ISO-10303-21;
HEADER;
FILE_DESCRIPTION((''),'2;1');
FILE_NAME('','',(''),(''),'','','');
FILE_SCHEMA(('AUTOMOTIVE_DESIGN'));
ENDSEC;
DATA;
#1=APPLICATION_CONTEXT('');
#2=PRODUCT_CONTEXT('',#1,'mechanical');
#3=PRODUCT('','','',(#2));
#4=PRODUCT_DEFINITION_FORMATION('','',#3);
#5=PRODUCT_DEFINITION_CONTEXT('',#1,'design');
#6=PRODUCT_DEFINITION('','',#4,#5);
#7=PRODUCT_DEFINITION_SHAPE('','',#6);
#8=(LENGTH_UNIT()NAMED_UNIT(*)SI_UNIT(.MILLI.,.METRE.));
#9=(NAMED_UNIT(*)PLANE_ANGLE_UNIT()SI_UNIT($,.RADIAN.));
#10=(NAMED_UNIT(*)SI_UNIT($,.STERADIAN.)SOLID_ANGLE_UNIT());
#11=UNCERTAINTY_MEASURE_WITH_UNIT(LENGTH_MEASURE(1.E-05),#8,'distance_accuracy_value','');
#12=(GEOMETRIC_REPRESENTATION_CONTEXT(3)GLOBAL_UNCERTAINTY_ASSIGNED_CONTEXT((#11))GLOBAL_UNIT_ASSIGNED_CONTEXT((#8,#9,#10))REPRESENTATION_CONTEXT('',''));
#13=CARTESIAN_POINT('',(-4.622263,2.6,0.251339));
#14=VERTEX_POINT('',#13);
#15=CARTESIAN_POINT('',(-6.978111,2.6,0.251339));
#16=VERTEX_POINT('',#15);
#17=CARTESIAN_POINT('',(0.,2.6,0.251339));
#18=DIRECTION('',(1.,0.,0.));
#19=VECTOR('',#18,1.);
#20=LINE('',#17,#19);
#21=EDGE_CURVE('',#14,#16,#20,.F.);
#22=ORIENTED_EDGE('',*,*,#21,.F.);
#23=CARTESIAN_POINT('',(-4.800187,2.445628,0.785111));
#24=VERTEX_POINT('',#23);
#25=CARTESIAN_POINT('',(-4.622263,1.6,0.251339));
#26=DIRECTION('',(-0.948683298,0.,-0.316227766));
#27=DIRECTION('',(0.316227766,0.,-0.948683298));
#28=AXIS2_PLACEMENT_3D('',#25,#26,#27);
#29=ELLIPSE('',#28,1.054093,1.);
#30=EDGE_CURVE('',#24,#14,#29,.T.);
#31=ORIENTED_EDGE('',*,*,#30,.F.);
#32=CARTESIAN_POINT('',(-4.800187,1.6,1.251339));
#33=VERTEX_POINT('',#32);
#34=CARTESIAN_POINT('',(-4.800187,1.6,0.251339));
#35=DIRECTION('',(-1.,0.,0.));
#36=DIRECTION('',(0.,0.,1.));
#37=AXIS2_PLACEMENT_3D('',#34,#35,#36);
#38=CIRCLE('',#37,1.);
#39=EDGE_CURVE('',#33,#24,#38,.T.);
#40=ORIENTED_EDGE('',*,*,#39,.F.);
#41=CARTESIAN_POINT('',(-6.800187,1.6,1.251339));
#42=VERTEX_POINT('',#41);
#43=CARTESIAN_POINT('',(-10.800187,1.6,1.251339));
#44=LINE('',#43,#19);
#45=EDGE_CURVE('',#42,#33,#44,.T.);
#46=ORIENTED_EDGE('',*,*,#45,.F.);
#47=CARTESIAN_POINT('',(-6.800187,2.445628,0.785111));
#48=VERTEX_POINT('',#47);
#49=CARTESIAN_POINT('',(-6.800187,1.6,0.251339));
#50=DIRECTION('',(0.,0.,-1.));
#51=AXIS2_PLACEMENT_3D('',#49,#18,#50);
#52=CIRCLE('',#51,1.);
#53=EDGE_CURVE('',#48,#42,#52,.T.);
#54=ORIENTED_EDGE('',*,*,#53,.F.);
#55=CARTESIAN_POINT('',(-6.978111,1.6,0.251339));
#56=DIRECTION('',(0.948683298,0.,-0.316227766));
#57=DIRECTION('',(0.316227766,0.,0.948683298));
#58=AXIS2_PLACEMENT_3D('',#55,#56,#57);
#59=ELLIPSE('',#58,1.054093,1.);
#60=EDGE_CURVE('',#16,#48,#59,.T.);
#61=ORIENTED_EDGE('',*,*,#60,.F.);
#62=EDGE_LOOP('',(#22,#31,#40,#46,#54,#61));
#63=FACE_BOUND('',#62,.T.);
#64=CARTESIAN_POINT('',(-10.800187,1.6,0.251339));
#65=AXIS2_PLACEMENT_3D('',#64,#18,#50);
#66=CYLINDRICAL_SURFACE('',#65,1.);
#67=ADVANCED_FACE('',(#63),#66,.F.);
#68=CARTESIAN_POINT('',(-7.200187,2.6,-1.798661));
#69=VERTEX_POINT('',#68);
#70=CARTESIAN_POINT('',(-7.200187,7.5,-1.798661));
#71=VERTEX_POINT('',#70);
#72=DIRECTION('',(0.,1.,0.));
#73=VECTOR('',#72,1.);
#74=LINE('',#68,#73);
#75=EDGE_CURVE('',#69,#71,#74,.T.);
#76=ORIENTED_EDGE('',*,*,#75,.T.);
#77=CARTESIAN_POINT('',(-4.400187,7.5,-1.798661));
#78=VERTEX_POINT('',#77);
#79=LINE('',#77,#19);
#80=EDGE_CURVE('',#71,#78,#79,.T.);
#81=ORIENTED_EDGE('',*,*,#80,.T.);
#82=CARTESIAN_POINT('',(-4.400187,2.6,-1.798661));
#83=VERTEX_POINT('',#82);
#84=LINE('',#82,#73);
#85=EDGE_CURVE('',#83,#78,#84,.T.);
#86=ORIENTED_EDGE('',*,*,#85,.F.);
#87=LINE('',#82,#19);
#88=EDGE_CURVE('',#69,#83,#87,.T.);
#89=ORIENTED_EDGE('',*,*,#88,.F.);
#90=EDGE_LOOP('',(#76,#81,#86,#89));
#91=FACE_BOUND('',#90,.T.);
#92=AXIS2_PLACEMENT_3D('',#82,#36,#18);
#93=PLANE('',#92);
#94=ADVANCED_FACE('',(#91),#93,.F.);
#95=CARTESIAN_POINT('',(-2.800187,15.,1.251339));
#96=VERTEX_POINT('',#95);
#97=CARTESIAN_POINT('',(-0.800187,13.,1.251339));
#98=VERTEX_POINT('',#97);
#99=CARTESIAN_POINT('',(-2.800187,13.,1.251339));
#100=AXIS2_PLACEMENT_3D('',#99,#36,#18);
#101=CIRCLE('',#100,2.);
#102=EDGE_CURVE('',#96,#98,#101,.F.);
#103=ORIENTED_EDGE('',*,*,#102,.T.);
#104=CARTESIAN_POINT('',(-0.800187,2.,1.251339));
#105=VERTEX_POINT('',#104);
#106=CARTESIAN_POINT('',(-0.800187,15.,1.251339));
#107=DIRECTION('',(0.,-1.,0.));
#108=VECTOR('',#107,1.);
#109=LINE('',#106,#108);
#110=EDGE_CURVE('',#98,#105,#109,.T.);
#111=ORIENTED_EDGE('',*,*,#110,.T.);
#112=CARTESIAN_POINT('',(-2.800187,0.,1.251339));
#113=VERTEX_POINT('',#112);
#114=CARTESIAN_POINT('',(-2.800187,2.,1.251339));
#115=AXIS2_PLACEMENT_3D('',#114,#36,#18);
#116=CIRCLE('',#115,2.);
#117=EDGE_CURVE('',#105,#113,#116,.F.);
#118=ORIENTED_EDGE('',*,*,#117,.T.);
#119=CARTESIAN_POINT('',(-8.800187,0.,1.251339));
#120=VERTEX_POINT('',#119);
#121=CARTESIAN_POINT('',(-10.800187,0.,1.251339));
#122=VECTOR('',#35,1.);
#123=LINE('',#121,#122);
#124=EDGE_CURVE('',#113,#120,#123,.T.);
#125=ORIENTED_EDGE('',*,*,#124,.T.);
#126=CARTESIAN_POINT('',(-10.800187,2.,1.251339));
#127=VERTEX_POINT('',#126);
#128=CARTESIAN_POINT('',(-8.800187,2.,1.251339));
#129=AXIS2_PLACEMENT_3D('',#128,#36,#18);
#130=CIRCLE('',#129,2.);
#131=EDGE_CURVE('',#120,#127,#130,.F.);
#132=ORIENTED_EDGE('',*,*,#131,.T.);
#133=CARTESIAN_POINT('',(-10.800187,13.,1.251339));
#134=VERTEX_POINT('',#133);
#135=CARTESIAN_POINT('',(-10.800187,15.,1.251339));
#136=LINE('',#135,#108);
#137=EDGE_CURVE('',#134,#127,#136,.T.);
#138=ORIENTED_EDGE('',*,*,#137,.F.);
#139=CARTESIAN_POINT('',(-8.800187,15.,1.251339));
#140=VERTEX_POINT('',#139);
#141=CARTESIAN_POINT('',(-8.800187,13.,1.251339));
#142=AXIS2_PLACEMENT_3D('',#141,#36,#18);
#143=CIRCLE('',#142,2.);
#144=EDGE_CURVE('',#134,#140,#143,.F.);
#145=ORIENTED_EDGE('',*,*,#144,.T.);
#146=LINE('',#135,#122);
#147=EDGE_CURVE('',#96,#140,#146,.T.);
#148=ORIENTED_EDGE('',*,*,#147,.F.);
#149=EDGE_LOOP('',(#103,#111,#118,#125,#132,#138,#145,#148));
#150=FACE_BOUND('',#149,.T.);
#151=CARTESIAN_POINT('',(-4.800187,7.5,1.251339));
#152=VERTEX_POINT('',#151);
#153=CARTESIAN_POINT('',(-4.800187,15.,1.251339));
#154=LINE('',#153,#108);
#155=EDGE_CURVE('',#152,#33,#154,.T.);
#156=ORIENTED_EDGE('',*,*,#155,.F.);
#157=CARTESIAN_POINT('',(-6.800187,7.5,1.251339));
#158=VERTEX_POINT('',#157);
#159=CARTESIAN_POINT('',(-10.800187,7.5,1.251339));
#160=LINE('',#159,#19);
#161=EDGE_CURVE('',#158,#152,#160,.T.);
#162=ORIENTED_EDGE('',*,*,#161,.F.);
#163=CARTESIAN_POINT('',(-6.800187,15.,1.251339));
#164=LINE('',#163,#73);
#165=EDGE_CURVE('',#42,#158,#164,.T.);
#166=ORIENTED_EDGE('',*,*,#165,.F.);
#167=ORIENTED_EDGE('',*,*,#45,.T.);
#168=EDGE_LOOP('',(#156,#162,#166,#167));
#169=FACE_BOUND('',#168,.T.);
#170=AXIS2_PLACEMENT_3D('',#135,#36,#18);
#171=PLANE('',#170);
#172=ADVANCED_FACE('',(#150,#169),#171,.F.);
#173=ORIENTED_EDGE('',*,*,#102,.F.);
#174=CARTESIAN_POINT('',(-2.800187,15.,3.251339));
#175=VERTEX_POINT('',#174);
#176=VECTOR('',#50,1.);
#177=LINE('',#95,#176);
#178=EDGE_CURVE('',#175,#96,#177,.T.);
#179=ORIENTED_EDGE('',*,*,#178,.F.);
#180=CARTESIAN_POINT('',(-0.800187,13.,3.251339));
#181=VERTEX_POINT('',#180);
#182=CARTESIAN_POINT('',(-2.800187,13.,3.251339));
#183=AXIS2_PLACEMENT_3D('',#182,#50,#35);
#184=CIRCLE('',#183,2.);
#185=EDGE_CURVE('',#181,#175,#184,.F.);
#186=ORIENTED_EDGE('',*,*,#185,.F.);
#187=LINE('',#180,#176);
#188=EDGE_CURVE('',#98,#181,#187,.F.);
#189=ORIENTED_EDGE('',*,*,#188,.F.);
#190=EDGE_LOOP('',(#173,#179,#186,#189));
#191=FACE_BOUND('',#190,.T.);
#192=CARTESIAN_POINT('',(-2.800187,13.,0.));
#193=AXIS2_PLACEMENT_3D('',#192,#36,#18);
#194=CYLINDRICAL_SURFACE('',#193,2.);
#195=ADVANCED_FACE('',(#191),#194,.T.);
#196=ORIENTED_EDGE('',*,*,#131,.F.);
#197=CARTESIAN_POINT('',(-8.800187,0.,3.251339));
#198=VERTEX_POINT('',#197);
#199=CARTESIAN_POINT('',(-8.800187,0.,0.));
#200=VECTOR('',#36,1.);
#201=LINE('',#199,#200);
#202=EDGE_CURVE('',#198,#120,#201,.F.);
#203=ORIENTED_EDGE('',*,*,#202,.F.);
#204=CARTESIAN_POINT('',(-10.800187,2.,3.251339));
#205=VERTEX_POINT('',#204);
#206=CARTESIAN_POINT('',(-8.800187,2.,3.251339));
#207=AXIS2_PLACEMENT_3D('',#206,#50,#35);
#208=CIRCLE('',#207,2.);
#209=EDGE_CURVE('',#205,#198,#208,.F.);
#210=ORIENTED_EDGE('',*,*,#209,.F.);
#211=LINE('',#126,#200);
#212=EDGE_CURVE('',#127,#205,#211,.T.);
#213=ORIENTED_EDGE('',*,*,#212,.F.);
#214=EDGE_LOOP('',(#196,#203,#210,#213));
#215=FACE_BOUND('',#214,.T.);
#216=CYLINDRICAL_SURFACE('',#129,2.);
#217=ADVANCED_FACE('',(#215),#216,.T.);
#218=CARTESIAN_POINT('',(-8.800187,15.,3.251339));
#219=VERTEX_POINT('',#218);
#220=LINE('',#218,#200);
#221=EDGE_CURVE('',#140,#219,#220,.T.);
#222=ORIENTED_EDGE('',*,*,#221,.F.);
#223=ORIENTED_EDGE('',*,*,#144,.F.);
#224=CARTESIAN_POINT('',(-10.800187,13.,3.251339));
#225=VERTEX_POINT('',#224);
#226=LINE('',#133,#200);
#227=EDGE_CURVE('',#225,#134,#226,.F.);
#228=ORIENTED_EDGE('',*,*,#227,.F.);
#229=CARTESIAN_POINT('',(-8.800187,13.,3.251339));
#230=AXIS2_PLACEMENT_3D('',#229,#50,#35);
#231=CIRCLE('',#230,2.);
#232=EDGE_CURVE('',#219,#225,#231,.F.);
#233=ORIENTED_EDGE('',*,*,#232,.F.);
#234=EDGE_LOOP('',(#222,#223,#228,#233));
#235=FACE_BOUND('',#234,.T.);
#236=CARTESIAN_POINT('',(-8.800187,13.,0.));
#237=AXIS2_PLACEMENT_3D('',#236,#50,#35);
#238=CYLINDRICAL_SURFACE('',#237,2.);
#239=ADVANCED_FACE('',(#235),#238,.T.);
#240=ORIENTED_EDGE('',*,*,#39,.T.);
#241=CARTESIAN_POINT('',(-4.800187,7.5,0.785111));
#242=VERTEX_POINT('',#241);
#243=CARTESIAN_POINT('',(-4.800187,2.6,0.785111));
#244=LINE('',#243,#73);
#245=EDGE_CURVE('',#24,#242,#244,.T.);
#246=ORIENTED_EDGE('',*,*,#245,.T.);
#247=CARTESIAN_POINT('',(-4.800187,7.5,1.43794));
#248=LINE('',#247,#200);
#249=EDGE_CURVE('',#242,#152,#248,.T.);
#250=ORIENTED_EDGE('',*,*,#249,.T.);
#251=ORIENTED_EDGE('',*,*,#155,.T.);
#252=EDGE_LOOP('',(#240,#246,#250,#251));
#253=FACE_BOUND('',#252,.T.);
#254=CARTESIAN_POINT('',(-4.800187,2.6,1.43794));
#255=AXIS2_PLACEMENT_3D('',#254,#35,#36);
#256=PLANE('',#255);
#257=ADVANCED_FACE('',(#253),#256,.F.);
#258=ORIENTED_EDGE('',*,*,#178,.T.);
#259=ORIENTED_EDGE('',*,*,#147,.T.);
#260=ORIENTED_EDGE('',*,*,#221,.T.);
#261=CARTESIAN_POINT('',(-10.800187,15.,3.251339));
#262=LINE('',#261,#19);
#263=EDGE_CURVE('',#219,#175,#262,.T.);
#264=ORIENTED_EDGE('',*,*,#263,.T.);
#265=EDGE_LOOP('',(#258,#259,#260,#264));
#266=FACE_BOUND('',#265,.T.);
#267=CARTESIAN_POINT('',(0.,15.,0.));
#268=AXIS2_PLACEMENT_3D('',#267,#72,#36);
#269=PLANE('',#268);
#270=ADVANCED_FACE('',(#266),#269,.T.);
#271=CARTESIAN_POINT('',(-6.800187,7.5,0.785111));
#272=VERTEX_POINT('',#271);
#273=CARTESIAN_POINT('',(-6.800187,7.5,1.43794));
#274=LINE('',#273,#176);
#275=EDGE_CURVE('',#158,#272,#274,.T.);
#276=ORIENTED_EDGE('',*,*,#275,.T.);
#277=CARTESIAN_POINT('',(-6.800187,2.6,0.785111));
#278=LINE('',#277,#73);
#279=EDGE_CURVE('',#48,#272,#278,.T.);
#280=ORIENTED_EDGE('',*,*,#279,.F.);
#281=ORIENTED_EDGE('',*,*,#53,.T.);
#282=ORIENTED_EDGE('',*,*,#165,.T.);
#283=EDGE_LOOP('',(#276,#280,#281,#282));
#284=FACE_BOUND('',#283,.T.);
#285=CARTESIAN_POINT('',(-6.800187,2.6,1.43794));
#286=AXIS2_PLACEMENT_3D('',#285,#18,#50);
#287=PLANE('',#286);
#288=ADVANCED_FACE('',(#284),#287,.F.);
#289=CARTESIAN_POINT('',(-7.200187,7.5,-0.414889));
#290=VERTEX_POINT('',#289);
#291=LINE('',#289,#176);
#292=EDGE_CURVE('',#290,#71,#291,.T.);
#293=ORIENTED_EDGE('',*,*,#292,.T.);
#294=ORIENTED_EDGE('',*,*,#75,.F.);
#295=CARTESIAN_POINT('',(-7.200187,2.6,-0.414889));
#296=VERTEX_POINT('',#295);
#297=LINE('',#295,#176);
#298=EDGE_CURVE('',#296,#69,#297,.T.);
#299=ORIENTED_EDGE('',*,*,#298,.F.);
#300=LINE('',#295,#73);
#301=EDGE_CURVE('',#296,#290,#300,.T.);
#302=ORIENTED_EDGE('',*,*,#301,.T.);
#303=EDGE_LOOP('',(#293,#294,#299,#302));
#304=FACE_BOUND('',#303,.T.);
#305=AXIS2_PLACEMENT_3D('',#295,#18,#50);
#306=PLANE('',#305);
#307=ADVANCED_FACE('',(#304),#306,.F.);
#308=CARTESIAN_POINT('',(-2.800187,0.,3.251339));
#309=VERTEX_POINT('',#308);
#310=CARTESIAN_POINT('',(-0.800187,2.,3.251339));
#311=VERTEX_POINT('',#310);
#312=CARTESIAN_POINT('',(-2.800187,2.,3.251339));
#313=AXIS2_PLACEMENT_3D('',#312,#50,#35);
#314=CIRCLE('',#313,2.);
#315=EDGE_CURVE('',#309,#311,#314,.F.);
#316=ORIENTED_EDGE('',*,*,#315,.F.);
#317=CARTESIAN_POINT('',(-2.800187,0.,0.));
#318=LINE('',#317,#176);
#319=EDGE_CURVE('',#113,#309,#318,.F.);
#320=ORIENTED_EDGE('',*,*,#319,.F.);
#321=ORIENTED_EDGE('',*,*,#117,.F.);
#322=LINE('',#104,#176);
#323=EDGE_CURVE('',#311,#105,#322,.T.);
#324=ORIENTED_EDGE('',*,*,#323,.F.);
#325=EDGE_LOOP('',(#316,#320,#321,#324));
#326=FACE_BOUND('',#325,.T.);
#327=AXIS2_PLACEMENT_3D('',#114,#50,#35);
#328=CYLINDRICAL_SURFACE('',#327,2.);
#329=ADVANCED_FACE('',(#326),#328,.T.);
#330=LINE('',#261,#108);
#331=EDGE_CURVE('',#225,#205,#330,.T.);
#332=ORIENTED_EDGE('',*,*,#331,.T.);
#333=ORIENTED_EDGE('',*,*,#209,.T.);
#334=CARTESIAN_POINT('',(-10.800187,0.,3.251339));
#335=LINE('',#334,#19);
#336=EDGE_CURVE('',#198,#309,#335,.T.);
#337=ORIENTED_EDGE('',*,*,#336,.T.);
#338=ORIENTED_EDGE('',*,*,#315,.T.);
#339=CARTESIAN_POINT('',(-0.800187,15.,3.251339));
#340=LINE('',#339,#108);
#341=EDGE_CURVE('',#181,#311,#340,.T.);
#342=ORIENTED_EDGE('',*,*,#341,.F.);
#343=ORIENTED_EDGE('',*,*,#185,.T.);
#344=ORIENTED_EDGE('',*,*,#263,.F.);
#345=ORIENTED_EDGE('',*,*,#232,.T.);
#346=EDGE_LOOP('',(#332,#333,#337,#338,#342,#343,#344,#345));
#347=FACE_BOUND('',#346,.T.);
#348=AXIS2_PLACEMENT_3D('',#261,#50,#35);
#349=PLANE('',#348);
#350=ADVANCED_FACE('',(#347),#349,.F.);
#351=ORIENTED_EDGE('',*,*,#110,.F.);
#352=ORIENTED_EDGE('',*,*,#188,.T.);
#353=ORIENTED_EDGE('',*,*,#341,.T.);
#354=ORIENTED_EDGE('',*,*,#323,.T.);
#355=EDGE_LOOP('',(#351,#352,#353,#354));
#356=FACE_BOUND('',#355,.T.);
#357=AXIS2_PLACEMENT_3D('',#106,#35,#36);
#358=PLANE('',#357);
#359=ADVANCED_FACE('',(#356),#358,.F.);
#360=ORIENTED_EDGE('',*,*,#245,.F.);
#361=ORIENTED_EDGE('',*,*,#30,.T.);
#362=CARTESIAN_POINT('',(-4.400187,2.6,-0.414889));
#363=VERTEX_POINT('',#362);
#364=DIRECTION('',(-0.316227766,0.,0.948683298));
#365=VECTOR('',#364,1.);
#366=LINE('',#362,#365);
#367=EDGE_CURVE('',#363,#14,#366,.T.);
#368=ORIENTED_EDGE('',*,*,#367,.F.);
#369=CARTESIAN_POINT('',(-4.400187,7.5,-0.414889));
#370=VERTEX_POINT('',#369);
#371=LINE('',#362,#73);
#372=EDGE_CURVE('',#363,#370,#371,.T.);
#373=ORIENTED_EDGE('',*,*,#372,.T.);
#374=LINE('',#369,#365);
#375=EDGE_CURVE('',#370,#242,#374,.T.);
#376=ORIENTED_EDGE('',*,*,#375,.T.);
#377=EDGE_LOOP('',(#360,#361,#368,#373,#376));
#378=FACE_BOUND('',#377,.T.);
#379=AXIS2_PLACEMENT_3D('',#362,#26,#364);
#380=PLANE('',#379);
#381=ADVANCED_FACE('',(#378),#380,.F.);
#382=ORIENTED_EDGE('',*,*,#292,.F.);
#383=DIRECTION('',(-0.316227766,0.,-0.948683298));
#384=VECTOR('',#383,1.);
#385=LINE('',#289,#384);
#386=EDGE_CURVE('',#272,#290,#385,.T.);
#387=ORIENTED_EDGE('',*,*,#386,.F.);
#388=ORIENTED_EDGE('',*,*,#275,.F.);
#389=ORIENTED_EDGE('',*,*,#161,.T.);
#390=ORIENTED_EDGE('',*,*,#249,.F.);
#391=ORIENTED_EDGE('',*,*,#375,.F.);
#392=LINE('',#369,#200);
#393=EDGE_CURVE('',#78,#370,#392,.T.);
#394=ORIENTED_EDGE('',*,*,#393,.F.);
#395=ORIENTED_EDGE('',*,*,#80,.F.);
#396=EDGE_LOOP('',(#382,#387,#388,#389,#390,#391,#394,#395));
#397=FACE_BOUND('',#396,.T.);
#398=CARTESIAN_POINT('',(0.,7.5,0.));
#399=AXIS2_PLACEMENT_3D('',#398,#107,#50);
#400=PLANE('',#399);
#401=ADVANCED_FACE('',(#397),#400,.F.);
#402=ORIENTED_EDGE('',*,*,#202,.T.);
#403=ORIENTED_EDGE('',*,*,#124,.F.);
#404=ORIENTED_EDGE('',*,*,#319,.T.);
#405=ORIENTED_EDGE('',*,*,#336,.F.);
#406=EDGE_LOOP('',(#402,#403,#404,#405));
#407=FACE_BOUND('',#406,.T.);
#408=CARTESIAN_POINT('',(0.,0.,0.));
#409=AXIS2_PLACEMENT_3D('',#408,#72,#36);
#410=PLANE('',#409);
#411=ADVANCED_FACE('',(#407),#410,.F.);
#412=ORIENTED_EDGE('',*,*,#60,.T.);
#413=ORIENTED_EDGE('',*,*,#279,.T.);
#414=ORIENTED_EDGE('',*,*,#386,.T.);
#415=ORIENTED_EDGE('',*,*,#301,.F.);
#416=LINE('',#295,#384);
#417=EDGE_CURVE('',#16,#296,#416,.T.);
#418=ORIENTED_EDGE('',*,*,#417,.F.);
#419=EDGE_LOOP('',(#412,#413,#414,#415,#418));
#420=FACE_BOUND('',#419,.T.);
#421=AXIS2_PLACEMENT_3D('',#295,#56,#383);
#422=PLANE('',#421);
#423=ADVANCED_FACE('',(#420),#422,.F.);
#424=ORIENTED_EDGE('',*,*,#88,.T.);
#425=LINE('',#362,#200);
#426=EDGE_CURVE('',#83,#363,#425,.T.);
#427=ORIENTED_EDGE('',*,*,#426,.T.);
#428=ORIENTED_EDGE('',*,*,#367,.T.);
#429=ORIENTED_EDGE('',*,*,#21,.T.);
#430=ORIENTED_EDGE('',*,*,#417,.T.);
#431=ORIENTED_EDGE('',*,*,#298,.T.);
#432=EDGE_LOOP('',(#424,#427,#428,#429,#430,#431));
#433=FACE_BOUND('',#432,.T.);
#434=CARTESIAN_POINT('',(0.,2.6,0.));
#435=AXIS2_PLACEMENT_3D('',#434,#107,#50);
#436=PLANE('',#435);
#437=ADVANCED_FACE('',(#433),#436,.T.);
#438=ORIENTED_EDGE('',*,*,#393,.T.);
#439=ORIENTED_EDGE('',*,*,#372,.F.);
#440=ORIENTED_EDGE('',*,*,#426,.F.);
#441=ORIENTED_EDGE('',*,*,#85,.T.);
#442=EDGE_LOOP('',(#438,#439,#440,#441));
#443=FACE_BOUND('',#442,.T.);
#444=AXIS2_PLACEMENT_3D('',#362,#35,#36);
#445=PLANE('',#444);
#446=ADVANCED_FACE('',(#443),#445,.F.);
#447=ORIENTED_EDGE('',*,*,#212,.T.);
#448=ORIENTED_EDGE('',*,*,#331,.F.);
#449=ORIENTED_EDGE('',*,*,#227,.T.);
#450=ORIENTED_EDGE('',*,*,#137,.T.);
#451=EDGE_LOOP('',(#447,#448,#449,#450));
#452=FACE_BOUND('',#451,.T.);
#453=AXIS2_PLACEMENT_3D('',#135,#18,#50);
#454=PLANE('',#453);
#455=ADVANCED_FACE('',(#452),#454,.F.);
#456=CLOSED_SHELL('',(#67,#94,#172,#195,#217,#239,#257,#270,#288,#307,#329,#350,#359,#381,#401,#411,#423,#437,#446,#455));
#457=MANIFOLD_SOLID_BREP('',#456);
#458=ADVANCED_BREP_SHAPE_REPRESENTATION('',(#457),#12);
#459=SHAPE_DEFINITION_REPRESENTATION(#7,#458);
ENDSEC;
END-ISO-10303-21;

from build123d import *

# Parameters (mm, degrees)
SKETCH2_W           = 10
SKETCH2_H           = 2
BOSS_EXTRUDE1_DEPTH = 15
BOSS_EXTRUDE2_DEPTH = 4.9
FILLET1_R           = 2
FILLET2_R           = 1


with BuildPart() as part:
    # Sketch2 → Boss-Extrude1 (new body)
    with BuildSketch(Plane(origin=(0, 0, 0), x_dir=(1, 0, 0), z_dir=(0, 1, 0))):
        with Locations((-5.80018665, -2.25133902)):
            Rectangle(SKETCH2_W, SKETCH2_H)
    extrude(amount=BOSS_EXTRUDE1_DEPTH)

    # Sketch3 → Boss-Extrude2 (add)
    with BuildSketch(Plane(origin=(0, 7.5, 0), x_dir=(-1, 0, 0), z_dir=(0, -1, 0))):
        Polygon((4.80018665, -1.437939643), (4.80018665, -0.785111254), (4.40018665, 0.414888746), (4.40018665, 1.79866098), (7.20018665, 1.79866098), (7.20018665, 0.414888746), (6.80018665, -0.785111254), (6.80018665, -1.437939643), align=None)
    extrude(amount=BOSS_EXTRUDE2_DEPTH)

    # Fillet1
    fillet1_edges = [part.edges().sort_by_distance(p)[0] for p in [
        (-10.80018665, 15, 2.25133902),
        (-0.80018665, 15, 2.25133902),
        (-10.80018665, 0, 2.25133902),
        (-0.80018665, 0, 2.25133902),
    ]]
    fillet(fillet1_edges, radius=FILLET1_R)

    # Fillet2
    fillet2_edges = [part.edges().sort_by_distance(p)[0] for p in [
        (-5.80018665, 2.6, 1.25133902),
    ]]
    fillet(fillet2_edges, radius=FILLET2_R)


solid = part.part
